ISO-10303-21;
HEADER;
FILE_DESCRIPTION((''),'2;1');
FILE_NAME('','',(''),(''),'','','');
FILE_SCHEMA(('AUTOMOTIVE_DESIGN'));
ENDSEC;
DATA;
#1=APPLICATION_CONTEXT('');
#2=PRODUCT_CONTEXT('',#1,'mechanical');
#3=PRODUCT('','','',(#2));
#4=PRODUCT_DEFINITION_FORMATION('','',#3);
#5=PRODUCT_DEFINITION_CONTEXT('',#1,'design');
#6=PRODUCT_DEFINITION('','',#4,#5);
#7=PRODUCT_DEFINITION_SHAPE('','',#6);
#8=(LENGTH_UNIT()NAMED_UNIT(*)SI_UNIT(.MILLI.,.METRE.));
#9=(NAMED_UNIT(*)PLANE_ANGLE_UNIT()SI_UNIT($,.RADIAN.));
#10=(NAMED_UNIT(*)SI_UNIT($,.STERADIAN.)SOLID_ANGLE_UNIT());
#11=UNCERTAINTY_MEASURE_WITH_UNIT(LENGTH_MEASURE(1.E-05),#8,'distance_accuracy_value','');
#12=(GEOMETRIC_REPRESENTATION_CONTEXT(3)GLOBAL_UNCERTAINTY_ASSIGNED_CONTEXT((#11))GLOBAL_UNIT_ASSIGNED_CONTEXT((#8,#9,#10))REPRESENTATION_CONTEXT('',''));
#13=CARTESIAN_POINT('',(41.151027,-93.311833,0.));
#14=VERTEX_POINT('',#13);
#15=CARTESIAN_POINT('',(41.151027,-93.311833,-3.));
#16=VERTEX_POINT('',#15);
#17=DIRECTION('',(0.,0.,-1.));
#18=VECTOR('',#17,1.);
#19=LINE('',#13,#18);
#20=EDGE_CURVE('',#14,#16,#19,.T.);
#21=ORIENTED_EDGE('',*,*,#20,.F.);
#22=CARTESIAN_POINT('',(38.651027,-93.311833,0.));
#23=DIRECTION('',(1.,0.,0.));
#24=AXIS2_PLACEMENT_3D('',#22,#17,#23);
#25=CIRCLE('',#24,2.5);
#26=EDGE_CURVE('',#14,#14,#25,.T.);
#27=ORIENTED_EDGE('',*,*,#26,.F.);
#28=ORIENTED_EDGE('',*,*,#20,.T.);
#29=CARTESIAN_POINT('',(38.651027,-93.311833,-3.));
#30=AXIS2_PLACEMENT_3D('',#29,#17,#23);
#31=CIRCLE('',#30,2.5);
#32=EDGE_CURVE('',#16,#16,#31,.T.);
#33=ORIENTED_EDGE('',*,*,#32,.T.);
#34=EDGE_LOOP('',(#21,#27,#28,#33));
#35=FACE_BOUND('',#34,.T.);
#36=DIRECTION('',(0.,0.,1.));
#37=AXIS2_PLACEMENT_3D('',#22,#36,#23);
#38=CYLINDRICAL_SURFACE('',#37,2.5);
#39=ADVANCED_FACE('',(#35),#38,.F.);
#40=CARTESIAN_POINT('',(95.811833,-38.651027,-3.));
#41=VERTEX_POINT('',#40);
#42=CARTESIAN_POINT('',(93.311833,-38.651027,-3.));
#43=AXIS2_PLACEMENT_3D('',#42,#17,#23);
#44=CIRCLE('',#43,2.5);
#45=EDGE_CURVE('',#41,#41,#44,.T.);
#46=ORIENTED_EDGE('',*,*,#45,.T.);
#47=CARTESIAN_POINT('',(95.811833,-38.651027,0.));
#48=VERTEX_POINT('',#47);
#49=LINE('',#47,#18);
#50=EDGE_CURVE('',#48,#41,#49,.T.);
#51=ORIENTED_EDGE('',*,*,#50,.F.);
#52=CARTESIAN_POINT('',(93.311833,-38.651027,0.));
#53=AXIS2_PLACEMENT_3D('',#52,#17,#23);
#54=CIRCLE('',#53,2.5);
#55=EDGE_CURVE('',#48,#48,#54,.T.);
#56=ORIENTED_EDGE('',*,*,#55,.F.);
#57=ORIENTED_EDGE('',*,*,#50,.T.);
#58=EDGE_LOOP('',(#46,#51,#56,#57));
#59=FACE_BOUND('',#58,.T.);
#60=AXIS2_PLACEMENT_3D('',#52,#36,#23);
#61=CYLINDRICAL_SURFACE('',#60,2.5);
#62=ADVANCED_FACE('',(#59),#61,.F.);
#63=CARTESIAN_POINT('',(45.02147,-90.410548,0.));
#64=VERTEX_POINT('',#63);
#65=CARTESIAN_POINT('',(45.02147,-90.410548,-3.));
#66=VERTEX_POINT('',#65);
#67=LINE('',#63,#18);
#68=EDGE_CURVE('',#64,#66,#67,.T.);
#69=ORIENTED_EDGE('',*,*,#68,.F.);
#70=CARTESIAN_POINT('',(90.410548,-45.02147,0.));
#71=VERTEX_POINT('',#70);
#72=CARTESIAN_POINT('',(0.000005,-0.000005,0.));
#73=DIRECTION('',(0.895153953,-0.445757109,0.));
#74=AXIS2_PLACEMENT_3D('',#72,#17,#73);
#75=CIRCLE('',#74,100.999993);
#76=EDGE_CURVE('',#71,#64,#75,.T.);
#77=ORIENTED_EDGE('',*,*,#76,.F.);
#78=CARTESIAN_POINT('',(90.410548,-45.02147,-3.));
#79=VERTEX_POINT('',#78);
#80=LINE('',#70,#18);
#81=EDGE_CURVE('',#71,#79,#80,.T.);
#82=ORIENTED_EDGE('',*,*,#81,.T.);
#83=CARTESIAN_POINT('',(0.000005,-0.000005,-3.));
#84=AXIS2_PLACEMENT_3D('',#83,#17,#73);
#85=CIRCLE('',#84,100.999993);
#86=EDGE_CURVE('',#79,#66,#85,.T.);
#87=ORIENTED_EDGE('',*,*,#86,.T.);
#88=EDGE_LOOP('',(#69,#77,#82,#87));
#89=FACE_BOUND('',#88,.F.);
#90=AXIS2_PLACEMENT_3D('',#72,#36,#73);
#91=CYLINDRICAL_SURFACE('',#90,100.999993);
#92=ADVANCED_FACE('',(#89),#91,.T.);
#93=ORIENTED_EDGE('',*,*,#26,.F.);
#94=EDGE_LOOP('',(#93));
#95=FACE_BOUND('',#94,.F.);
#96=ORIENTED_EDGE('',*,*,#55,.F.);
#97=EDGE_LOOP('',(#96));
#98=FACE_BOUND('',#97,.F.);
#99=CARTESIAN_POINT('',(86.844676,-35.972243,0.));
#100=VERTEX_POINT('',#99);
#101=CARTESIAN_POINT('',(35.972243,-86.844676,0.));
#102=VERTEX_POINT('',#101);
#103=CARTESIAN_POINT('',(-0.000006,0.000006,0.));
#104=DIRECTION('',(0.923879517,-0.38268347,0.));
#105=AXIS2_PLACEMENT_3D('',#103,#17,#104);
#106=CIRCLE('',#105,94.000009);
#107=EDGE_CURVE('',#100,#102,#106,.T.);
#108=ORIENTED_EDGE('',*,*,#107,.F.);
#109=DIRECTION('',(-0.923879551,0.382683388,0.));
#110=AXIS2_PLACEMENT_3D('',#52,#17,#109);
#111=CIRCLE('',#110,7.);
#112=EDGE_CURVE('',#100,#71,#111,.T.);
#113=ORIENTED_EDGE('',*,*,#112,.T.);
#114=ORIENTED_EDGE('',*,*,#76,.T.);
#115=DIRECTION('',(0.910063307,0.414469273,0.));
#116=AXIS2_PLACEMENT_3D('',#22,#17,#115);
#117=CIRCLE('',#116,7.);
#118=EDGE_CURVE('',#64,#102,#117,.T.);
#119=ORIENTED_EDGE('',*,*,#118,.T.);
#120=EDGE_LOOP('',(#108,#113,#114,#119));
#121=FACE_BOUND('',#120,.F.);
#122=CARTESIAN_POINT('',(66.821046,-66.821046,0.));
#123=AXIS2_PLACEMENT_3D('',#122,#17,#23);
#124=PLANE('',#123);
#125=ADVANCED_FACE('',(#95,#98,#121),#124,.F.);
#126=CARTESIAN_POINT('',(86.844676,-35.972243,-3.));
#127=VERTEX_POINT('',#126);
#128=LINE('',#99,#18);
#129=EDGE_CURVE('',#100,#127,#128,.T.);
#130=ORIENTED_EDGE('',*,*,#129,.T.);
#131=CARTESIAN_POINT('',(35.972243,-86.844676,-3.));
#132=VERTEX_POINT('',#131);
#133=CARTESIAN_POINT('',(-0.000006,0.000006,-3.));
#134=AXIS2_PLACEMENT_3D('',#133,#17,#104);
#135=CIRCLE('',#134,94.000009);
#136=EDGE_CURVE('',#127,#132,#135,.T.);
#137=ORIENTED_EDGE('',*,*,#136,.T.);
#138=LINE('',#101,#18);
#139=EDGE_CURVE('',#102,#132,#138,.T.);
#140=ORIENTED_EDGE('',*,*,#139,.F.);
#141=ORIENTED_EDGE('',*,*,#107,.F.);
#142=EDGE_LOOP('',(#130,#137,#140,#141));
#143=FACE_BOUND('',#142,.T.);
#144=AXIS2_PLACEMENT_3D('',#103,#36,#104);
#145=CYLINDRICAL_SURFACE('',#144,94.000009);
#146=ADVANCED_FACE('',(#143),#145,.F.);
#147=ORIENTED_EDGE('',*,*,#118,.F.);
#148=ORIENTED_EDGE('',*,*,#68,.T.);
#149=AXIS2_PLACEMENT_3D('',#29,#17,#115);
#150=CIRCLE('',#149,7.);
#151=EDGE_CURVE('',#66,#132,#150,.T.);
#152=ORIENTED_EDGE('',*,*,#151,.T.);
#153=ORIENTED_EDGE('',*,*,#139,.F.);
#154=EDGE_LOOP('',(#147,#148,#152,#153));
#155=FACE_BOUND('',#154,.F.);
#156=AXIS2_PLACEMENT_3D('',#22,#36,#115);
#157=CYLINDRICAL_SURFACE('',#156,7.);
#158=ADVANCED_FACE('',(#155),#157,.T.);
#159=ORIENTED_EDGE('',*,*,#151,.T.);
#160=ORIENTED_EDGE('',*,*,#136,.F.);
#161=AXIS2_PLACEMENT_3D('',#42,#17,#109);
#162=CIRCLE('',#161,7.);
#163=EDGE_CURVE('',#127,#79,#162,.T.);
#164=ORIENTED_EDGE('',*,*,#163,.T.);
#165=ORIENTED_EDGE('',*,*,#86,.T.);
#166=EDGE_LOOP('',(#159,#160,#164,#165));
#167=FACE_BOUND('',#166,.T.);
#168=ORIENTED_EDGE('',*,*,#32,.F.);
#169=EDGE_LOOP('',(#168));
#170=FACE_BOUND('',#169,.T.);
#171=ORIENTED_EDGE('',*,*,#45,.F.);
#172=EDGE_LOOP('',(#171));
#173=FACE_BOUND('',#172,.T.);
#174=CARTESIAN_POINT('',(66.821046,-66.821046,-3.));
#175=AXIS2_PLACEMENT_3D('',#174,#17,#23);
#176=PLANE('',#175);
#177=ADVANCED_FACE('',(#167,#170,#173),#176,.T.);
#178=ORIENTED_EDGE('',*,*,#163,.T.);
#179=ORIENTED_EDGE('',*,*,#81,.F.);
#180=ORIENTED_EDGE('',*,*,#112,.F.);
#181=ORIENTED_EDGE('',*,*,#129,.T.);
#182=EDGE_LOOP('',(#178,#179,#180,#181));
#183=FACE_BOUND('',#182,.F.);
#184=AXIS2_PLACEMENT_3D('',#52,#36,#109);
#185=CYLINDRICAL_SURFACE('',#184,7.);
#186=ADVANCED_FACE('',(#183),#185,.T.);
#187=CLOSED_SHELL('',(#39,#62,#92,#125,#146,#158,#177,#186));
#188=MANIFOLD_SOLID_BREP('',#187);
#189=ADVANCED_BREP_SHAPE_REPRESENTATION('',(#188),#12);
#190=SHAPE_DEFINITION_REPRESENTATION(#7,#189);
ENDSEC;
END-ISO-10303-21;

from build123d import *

# Parameters (mm, degrees)
SKETCH001_R = 2.5
PAD_DEPTH   = 3


with BuildPart() as part:
    # Sketch001 → Pad (new body)
    with BuildSketch(Plane(origin=(0, 0, 0), x_dir=(1, 0, 0), z_dir=(0, 0, -1))):
        with BuildLine():
            ThreePointArc((45.02147, 90.410548), (36.084716, 99.82444), (35.972243, 86.844676))
            ThreePointArc((86.844676, 35.972243), (66.468037, 66.468037), (35.972243, 86.844676))
            ThreePointArc((86.844676, 35.972243), (99.82444, 36.084716), (90.410548, 45.02147))
            ThreePointArc((90.410548, 45.02147), (71.417785, 71.417785), (45.02147, 90.410548))
        make_face()
        with Locations((38.651027, 93.311833)):
            Circle(SKETCH001_R, mode=Mode.SUBTRACT)
        with Locations((93.311833, 38.651027)):
            Circle(SKETCH001_R, mode=Mode.SUBTRACT)
    extrude(amount=PAD_DEPTH)


solid = part.part
